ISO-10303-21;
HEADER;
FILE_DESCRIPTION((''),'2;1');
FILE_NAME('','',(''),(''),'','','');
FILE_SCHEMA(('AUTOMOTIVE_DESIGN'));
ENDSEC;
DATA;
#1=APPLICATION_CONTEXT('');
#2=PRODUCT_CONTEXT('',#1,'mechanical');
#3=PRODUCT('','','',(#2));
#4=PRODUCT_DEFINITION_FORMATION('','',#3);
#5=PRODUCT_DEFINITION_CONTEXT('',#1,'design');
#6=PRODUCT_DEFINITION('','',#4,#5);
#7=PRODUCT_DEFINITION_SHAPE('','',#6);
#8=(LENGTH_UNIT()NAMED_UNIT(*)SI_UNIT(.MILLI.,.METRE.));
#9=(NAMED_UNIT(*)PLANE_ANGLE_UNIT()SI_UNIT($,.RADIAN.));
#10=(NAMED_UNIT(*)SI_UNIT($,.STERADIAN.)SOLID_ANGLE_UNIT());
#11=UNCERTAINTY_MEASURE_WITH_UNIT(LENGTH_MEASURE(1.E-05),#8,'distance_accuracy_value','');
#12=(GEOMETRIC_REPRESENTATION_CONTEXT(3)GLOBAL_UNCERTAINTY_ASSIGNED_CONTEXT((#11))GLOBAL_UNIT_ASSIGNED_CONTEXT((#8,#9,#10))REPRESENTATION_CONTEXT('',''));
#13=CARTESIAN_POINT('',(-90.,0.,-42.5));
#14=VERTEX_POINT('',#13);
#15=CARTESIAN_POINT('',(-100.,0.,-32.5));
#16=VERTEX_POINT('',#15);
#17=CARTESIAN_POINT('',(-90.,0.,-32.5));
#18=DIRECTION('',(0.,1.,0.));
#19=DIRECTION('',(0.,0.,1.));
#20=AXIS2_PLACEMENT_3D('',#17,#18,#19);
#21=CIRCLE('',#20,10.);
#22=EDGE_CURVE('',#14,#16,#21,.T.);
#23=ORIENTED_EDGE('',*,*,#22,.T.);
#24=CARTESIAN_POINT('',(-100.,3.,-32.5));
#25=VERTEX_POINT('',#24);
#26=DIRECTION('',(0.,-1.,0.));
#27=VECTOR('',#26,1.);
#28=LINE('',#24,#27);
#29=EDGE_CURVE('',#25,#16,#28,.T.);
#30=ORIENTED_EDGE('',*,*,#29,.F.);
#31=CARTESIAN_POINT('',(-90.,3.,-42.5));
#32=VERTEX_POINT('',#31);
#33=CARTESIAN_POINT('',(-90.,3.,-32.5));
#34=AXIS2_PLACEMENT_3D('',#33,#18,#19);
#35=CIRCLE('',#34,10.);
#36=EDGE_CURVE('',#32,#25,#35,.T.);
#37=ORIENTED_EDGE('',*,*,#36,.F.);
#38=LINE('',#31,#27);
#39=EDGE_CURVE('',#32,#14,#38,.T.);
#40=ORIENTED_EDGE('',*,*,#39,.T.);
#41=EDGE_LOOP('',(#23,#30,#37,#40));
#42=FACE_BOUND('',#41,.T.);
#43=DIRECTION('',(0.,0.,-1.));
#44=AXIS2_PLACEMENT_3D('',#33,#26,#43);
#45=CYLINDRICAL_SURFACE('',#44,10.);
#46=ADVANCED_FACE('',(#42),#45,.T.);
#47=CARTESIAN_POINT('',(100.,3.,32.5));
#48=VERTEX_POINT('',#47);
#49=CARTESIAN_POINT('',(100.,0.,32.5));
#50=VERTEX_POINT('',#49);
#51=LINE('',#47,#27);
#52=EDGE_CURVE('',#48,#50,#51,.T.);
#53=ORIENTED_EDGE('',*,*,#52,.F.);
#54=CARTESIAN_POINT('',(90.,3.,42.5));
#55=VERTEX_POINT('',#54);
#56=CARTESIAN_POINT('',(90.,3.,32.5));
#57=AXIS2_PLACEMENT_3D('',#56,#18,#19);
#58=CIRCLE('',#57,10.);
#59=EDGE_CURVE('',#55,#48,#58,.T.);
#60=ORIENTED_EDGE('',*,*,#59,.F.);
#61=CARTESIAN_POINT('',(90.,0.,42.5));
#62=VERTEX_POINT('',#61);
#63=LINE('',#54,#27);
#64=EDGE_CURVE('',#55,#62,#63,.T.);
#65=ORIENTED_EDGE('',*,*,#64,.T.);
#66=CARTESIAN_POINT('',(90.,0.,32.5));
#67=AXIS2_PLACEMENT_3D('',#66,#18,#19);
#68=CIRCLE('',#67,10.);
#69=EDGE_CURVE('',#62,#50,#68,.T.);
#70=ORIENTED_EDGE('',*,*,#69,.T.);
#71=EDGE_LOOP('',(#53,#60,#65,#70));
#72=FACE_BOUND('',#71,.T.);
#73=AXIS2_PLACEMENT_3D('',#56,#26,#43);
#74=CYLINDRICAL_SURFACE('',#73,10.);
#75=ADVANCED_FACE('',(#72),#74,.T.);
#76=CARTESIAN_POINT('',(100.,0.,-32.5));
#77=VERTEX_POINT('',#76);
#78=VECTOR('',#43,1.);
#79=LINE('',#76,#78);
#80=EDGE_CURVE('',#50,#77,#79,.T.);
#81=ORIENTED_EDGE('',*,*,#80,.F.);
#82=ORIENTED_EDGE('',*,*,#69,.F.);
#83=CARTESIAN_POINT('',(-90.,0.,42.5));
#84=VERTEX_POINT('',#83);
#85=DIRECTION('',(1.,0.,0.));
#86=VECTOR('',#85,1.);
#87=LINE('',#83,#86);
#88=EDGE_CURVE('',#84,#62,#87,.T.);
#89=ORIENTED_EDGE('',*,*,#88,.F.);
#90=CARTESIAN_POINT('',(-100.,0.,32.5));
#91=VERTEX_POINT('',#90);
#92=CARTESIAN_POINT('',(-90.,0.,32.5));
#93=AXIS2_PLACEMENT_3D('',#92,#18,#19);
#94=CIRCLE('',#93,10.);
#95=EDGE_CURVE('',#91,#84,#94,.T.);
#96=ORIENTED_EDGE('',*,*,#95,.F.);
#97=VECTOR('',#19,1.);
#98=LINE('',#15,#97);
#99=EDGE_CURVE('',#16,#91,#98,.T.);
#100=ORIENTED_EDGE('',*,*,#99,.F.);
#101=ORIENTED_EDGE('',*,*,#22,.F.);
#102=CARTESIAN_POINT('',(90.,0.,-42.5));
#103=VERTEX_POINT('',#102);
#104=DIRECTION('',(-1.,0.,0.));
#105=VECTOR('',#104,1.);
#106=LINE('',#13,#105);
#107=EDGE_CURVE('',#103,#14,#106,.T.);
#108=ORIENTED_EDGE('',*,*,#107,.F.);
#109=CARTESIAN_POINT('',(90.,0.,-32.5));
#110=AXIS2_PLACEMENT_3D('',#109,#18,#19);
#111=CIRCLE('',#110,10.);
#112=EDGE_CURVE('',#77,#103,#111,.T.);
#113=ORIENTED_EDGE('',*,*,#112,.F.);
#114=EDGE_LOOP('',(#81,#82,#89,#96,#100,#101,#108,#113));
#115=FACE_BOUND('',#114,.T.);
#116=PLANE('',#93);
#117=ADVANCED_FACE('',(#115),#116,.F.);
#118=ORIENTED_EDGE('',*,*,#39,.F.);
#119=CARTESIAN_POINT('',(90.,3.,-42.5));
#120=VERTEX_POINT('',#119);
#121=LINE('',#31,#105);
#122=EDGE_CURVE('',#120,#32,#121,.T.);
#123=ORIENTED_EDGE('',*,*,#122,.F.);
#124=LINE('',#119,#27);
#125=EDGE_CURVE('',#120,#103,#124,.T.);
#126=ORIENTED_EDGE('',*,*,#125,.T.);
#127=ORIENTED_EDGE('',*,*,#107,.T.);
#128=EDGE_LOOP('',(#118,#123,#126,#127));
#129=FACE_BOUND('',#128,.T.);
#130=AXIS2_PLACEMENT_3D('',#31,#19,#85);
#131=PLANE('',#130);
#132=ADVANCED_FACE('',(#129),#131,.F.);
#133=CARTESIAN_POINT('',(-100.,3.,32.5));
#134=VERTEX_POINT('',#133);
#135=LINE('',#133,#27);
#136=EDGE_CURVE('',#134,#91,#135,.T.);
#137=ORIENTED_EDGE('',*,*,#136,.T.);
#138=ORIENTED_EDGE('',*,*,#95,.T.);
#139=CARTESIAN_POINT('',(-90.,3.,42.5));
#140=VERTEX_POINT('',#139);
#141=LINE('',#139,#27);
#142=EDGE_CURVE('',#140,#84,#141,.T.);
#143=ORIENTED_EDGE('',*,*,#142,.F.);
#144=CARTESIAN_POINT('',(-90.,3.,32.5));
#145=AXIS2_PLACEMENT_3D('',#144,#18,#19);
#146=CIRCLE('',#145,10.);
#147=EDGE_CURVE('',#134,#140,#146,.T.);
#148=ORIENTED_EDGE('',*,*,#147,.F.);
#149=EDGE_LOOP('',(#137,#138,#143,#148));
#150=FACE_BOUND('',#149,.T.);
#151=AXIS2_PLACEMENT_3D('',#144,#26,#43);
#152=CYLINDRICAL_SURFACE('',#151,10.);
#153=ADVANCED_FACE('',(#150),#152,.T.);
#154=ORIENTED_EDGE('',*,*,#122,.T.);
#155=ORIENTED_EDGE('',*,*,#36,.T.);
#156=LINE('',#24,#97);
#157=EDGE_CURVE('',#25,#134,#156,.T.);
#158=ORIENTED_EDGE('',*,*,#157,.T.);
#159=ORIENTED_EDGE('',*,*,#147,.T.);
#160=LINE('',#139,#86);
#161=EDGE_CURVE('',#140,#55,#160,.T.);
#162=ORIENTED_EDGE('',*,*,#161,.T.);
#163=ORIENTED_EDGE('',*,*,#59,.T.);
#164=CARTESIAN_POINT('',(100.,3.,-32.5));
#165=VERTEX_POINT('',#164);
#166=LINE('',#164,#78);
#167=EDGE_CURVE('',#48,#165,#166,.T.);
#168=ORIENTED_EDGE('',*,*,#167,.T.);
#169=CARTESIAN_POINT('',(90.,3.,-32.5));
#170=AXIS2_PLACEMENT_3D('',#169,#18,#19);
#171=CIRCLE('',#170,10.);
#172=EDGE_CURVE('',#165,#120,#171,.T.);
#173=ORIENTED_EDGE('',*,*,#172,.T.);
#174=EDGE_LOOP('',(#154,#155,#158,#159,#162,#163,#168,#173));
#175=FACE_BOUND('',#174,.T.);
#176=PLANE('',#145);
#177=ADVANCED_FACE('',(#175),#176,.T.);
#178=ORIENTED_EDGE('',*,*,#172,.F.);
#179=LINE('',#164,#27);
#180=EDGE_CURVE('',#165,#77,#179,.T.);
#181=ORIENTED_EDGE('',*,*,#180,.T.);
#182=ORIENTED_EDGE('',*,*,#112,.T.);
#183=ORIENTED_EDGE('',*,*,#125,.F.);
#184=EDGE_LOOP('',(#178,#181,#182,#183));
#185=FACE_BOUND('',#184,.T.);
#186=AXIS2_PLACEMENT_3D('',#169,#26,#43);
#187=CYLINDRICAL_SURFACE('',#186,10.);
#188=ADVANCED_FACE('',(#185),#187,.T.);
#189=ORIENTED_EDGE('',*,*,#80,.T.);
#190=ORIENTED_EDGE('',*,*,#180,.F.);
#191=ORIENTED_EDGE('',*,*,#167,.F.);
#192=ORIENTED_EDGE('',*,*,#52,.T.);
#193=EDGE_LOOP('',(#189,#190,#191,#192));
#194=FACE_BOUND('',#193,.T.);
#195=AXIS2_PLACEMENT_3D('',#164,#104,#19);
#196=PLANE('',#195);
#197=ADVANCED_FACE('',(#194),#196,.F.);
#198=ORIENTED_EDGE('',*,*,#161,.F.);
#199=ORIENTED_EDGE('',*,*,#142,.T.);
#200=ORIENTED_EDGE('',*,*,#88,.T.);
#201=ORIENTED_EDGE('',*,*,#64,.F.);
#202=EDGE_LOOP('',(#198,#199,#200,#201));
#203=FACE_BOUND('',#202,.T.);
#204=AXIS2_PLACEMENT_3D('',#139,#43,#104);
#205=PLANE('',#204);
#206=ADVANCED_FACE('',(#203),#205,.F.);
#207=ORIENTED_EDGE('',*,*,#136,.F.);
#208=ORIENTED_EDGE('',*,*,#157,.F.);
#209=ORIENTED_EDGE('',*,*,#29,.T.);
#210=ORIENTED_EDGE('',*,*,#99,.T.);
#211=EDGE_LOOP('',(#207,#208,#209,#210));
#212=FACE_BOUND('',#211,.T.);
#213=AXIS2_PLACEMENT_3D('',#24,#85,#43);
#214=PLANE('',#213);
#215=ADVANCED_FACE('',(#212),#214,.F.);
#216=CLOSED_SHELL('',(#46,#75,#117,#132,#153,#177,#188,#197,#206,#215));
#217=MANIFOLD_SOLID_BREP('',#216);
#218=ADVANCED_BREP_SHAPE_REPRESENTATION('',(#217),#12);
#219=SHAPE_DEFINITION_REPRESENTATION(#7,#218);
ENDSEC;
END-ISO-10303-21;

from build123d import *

# Parameters (mm, degrees)
BOSS_EXTRUDE2_DEPTH = 3


with BuildPart() as part:
    # Sketch1 → Boss-Extrude2 (new body)
    with BuildSketch(Plane(origin=(0, 0, 0), x_dir=(1, 0, 0), z_dir=(0, 1, 0))):
        with BuildLine():
            Line((-90, 42.5), (90, 42.5))
            ThreePointArc((90, 42.5), (97.071067812, 39.571067812), (100, 32.5))
            Line((100, 32.5), (100, -32.5))
            ThreePointArc((100, -32.5), (97.071067812, -39.571067812), (90, -42.5))
            Line((90, -42.5), (-90, -42.5))
            ThreePointArc((-90, -42.5), (-97.071067812, -39.571067812), (-100, -32.5))
            Line((-100, -32.5), (-100, 32.5))
            ThreePointArc((-100, 32.5), (-97.071067812, 39.571067812), (-90, 42.5))
        make_face()
    extrude(amount=BOSS_EXTRUDE2_DEPTH)


solid = part.part
